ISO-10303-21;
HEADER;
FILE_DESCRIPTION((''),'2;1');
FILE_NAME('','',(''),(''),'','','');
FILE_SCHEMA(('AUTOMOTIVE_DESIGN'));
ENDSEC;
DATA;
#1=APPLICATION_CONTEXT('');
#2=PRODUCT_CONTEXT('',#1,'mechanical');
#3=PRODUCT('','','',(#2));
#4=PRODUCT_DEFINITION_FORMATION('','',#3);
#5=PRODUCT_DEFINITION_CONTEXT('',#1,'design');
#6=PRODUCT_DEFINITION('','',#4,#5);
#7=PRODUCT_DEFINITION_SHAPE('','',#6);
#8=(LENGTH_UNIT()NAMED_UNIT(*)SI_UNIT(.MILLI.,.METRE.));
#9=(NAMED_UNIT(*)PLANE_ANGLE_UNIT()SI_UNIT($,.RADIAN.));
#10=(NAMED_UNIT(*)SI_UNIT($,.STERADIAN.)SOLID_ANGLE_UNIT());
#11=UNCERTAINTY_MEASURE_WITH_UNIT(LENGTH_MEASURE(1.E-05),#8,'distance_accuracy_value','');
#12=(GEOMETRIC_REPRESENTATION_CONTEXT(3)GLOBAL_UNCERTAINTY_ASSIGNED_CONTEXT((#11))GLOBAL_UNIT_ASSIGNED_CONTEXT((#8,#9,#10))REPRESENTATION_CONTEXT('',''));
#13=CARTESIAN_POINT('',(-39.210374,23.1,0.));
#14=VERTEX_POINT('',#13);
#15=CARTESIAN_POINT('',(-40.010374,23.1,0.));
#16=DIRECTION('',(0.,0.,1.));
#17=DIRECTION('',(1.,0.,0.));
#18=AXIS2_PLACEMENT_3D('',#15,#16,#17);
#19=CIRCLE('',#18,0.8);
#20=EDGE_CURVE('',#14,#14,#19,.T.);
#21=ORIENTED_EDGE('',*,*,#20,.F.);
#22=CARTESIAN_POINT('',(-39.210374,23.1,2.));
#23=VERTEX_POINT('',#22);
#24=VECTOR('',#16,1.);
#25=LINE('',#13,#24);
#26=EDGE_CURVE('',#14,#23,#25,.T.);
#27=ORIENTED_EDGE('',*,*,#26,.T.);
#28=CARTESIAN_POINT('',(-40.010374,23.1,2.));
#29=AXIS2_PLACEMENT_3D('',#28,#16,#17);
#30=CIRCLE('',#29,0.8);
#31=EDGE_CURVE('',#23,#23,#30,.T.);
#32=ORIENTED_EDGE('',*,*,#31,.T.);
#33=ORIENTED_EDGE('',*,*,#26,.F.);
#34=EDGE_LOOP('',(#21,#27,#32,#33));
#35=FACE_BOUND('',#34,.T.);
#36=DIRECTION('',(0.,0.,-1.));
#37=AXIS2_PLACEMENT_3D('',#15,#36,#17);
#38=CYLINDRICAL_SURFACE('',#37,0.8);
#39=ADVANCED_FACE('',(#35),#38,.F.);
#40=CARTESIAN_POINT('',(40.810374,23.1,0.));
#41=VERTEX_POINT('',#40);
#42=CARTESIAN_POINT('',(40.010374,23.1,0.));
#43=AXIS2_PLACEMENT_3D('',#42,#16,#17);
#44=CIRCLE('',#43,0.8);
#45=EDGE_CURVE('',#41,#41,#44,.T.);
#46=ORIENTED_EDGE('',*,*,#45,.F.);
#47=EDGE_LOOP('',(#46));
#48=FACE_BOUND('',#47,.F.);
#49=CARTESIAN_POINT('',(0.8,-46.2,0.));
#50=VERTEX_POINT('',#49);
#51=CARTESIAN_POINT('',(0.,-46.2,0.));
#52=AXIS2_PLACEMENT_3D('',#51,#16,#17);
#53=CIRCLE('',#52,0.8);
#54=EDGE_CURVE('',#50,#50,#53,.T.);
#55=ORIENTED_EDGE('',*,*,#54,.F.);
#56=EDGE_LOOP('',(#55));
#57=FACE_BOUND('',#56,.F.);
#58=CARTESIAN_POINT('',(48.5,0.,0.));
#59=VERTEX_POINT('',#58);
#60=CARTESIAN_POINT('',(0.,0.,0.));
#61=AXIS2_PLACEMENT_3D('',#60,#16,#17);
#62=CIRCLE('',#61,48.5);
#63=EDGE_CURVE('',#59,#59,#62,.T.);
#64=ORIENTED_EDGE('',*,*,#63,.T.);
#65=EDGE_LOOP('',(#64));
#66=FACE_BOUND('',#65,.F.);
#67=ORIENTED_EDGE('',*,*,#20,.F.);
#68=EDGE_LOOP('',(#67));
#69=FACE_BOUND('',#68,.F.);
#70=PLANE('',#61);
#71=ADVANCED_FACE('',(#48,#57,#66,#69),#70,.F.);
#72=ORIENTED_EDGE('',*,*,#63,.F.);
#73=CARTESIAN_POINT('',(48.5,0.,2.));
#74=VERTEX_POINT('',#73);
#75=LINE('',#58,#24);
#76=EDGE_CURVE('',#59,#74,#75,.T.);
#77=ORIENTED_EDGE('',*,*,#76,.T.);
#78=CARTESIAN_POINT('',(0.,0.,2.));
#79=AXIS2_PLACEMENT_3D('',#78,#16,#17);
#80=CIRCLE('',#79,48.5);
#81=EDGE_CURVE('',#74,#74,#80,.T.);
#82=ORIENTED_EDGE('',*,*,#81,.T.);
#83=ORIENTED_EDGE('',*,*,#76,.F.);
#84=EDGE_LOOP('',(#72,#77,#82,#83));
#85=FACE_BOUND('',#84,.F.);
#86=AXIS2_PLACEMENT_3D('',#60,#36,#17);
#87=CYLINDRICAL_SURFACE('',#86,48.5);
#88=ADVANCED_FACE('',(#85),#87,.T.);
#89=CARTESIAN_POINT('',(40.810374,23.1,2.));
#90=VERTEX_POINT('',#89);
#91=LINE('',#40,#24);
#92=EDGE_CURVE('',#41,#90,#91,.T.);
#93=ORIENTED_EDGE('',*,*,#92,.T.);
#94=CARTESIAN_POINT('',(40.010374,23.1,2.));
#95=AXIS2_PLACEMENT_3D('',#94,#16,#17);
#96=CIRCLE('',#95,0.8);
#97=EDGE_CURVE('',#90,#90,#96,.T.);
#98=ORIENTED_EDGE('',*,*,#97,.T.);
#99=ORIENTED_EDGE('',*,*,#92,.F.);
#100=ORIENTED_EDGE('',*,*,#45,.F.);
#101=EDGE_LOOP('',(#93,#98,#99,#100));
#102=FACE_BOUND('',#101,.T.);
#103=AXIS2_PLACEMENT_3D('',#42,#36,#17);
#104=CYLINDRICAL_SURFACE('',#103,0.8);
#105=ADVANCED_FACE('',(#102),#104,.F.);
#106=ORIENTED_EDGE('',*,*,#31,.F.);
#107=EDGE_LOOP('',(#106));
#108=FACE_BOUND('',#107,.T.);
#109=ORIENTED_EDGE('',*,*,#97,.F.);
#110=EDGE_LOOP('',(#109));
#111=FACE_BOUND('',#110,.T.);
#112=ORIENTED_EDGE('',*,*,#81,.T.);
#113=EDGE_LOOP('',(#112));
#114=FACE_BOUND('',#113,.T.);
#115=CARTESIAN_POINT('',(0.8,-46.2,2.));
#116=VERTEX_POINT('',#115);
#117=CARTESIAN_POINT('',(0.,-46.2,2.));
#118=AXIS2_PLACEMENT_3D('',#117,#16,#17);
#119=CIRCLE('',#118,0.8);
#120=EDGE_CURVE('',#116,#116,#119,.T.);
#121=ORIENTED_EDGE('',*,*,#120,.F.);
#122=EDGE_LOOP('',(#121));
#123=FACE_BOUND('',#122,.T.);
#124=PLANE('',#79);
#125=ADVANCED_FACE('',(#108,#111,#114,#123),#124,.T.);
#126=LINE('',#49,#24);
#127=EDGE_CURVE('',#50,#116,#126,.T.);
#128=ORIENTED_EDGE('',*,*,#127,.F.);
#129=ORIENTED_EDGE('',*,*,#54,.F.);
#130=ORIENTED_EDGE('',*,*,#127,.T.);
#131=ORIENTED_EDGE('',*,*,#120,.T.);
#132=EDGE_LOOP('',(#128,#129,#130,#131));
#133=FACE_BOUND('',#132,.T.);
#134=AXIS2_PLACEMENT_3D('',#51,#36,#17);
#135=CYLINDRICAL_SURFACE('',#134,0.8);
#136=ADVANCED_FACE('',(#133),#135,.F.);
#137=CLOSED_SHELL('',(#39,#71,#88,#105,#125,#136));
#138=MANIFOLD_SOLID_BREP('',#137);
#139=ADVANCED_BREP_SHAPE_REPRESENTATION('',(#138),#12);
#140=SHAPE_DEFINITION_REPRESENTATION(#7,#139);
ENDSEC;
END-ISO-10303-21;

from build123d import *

# Parameters (mm, degrees)
F0_R     = 48.5
F0_R_2   = 0.8
F1_DEPTH = 2


with BuildPart() as f1:
    # F0 (on Top) → F1 (new body)
    with BuildSketch(Plane.XY):
        Circle(F0_R)
        with Locations((0, -46.2)):
            Circle(F0_R_2, mode=Mode.SUBTRACT)
        with Locations((-40.010374, 23.1)):
            Circle(F0_R_2, mode=Mode.SUBTRACT)
        with Locations((40.010374, 23.1)):
            Circle(F0_R_2, mode=Mode.SUBTRACT)
    extrude(amount=F1_DEPTH)


solid = f1.part
